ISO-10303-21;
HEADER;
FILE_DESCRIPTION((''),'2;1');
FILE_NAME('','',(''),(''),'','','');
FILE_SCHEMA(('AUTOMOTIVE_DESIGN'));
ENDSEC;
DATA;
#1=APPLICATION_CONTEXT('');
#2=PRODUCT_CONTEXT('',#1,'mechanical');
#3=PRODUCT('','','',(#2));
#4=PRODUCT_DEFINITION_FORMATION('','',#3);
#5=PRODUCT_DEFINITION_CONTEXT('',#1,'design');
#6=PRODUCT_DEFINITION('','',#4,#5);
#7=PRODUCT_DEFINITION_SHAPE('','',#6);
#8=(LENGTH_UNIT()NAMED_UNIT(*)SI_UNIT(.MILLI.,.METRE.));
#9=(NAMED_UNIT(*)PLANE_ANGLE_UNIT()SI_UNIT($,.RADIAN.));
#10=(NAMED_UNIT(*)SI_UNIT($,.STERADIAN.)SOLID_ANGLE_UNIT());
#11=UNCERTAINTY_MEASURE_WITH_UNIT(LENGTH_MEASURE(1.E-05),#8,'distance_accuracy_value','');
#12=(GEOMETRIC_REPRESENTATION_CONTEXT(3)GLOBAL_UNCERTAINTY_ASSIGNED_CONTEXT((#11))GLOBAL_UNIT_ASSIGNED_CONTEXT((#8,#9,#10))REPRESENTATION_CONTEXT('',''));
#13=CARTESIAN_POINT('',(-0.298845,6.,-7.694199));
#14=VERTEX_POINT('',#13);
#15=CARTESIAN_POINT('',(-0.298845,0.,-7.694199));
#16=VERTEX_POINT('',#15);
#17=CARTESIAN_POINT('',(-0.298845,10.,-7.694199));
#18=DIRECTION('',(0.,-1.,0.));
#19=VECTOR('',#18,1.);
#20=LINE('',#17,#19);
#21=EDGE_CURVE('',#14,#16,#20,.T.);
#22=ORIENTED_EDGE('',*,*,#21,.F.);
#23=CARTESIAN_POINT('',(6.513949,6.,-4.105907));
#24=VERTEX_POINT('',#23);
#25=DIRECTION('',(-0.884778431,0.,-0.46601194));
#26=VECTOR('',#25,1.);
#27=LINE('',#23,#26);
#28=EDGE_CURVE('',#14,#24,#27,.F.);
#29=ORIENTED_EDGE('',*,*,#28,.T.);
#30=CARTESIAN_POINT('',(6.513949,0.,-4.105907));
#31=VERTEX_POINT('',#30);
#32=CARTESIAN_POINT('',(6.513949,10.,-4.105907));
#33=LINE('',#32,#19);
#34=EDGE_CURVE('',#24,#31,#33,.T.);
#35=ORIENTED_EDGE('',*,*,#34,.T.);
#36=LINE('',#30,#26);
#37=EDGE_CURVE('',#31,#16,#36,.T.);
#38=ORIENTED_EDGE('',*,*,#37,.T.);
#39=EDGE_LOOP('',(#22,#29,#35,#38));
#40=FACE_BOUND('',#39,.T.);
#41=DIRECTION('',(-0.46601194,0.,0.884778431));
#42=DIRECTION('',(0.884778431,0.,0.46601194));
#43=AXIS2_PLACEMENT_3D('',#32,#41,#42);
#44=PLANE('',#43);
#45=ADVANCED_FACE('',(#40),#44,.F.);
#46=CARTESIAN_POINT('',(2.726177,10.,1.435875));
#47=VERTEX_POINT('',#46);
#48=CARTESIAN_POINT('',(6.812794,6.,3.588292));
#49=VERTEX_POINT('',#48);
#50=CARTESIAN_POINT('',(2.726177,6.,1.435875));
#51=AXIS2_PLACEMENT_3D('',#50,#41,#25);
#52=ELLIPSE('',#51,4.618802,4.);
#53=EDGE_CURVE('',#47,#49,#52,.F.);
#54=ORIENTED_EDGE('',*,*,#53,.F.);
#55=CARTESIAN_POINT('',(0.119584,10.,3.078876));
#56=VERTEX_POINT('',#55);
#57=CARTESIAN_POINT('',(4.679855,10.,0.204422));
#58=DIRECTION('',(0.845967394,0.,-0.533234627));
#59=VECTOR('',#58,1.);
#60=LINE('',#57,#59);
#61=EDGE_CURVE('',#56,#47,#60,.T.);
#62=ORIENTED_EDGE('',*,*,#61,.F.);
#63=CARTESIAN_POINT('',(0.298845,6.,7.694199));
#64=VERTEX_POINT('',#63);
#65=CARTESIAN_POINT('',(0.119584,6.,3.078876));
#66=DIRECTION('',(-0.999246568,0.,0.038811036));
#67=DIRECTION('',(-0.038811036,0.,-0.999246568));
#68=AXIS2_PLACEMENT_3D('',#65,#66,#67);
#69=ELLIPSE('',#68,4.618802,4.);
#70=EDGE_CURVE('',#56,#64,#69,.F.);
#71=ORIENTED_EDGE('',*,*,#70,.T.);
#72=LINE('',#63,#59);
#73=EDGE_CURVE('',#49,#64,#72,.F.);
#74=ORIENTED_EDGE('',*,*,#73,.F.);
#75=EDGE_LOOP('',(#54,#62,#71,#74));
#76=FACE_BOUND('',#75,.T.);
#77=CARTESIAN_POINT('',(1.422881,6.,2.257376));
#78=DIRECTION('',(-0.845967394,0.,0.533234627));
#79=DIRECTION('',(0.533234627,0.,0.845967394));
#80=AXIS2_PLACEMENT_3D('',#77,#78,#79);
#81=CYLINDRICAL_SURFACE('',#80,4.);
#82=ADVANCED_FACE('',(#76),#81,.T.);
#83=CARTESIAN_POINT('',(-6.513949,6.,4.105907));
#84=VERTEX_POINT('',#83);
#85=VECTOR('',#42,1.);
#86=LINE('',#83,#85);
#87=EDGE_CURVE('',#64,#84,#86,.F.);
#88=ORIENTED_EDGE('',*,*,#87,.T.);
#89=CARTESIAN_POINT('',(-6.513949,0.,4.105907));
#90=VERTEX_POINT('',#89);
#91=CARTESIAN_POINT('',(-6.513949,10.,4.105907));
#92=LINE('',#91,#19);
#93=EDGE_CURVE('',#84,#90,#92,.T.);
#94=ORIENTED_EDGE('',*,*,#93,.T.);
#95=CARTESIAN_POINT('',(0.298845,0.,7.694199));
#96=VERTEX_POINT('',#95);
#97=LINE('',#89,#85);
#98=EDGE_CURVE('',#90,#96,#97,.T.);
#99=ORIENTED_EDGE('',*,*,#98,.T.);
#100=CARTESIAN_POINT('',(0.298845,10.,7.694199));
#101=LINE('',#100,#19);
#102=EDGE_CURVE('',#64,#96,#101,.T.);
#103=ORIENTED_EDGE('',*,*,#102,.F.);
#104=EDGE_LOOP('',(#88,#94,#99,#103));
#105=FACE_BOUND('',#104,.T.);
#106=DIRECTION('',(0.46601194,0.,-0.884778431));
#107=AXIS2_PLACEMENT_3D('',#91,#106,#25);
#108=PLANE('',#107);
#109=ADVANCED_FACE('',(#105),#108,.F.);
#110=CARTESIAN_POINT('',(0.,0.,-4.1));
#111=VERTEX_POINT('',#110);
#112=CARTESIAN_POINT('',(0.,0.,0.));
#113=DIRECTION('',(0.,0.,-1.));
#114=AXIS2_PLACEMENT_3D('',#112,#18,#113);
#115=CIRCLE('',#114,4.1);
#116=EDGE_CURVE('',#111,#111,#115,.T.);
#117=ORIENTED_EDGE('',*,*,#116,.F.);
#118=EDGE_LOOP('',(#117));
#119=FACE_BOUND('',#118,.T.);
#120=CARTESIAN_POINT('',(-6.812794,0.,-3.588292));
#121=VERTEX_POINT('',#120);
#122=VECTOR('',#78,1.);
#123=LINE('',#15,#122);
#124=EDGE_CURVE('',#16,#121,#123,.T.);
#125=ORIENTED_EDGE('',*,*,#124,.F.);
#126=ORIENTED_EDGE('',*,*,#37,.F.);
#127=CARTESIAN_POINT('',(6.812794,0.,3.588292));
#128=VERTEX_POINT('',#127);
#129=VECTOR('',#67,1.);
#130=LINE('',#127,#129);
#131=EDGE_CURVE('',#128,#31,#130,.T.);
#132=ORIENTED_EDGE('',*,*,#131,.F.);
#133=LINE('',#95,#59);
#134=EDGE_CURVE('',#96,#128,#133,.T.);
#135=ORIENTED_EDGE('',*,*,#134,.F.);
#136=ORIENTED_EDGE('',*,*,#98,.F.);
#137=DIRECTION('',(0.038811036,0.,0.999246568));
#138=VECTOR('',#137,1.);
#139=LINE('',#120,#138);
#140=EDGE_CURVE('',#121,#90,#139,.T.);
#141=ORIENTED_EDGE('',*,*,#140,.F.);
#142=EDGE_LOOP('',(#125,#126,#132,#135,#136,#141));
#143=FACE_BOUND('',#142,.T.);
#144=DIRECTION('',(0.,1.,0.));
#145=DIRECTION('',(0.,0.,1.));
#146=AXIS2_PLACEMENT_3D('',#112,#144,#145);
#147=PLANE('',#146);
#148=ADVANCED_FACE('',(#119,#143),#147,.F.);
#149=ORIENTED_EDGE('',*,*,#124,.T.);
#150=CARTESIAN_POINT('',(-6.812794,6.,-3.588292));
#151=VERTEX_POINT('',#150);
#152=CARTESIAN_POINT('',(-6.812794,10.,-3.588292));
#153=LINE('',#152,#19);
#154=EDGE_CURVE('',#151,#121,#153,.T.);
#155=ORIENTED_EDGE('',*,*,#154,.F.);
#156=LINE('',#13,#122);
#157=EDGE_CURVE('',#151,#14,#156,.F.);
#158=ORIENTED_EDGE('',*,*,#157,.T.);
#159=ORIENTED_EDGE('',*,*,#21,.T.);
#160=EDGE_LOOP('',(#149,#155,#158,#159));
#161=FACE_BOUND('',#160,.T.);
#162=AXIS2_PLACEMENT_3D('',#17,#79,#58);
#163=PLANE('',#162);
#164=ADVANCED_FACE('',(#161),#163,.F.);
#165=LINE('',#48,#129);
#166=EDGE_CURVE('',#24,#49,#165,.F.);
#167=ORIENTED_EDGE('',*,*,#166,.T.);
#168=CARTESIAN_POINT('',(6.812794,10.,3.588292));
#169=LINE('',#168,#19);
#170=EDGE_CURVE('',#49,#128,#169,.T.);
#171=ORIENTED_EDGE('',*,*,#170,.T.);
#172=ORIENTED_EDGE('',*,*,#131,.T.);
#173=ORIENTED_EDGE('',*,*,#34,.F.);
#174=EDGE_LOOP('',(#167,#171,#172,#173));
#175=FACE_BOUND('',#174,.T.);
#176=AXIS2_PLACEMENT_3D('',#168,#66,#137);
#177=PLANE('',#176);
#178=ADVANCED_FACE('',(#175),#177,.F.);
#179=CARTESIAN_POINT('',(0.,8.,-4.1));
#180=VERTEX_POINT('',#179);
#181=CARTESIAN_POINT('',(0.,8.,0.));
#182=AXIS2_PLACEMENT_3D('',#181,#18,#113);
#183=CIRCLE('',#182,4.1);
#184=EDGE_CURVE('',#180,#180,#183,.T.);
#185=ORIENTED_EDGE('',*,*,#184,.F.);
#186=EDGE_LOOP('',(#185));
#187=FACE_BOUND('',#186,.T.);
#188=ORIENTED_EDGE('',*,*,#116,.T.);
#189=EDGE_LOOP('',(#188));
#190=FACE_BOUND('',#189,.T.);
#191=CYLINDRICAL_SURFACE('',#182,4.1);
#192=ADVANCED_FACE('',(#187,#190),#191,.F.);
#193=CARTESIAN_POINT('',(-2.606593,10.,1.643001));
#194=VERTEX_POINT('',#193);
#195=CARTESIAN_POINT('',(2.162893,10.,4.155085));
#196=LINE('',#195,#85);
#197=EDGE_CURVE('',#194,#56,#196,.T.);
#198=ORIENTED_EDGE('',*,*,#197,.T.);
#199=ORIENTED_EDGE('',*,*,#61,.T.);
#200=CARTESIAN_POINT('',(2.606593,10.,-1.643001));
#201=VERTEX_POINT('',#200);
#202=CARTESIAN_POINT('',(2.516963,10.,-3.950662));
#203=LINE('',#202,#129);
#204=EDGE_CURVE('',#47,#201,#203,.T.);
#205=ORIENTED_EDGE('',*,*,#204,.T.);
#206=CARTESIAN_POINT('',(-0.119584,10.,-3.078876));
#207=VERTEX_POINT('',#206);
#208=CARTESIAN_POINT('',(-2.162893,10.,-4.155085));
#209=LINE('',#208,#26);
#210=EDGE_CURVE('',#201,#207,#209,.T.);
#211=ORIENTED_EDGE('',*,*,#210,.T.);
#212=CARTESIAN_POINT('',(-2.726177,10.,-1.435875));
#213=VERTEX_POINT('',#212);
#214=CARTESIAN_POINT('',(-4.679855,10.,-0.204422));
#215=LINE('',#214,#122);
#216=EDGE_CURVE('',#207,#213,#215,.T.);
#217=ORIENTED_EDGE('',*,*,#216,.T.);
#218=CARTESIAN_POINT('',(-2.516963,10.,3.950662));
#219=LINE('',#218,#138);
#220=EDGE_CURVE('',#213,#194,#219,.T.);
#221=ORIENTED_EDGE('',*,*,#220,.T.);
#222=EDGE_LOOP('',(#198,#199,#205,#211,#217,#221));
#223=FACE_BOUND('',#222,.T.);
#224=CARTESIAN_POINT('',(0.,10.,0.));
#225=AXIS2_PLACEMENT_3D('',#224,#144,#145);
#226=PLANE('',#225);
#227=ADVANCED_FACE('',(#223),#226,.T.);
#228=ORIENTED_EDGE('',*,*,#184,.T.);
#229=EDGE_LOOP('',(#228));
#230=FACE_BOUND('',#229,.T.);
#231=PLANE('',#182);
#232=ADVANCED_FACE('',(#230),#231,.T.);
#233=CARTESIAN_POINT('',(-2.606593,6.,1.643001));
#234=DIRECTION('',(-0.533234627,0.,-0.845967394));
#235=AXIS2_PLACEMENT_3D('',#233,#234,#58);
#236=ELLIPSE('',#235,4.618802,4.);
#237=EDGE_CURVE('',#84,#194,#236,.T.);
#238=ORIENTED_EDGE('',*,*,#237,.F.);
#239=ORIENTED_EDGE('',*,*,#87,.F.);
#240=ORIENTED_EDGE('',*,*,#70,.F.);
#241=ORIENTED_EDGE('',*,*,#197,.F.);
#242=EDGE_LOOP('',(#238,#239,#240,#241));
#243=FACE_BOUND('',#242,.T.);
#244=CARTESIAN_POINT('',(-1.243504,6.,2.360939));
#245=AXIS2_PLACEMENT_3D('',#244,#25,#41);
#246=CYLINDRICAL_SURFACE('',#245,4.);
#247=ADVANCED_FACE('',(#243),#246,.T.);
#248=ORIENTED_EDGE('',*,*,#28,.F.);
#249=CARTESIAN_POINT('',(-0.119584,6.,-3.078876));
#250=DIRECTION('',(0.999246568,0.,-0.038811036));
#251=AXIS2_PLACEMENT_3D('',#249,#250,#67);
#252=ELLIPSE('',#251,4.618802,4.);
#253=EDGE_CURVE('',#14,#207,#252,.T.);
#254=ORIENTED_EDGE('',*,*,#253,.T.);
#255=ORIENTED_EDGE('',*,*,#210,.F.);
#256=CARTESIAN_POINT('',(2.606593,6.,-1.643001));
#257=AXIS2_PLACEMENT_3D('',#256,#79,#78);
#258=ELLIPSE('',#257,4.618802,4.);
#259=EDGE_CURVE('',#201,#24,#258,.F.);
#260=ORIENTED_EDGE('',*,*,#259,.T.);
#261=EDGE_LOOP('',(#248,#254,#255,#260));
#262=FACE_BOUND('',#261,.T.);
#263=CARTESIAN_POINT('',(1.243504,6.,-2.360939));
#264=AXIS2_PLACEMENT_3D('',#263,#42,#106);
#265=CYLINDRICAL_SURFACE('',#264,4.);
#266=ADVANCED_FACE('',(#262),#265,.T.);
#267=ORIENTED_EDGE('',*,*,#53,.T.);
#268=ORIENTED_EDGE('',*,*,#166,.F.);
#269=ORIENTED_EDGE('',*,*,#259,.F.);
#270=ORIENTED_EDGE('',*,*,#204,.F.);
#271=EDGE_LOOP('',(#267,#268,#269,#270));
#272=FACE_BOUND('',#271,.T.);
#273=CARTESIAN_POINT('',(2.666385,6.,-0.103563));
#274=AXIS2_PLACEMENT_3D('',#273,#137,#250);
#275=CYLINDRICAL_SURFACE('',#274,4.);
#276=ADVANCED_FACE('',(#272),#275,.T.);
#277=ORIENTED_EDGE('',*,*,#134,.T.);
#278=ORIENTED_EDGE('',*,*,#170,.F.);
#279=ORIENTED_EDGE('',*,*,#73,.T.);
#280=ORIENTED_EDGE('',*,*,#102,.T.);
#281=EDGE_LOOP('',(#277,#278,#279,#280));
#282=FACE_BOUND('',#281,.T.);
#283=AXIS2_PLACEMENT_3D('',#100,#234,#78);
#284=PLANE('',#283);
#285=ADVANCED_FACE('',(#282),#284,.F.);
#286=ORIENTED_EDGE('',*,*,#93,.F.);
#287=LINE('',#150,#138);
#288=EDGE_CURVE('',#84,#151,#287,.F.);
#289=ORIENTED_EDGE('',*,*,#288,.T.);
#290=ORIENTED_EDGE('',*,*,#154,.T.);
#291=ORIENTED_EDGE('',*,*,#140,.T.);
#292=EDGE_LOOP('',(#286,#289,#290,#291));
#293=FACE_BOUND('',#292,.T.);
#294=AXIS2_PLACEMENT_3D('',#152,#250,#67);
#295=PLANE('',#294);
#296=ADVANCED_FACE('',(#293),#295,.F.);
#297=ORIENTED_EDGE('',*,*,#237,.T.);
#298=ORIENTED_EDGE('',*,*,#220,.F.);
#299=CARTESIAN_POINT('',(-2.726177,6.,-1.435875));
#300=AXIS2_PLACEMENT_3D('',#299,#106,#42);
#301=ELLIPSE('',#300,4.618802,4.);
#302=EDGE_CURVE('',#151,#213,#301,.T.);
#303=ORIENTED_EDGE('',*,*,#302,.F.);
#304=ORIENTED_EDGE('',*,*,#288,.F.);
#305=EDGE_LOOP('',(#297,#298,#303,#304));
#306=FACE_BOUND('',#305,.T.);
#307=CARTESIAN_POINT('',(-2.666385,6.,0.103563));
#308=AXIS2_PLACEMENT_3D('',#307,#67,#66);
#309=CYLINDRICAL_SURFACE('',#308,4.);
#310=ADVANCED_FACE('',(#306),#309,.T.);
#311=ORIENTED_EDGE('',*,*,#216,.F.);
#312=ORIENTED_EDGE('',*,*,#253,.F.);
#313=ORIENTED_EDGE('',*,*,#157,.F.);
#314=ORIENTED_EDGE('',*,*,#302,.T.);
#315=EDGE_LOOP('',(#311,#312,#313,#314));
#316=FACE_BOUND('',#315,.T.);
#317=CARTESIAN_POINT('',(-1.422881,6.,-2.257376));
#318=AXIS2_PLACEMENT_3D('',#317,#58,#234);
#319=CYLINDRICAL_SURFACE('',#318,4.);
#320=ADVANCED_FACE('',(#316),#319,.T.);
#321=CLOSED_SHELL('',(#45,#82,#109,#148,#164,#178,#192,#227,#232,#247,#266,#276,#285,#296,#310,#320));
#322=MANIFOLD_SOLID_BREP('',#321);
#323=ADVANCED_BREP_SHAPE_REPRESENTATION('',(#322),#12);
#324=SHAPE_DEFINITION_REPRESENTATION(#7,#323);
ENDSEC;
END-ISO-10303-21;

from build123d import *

# Parameters (mm, degrees)
BOSS_EXTRUDE1_DEPTH = 10
FILLET1_R           = 4
SKETCH2_R           = 4.1
CUT_EXTRUDE1_DEPTH  = 8


with BuildPart() as part:
    # Sketch1 → Boss-Extrude1 (new body)
    with BuildSketch(Plane(origin=(0, 0, 0), x_dir=(1, 0, 0), z_dir=(0, 1, 0))):
        Polygon((-6.812793916, 3.588291941), (-6.513948935, -4.105906632), (0.298844981, -7.694198573), (6.812793916, -3.588291941), (6.513948935, 4.105906632), (-0.298844981, 7.694198573), align=None)
    extrude(amount=BOSS_EXTRUDE1_DEPTH)

    # Fillet1
    fillet1_edges = [part.edges().sort_by_distance(p)[0] for p in [
        (-3.107551977, 10, 5.900052602),
        (3.555819448, 10, 5.641245257),
        (6.663371426, 10, -0.258807345),
        (3.107551977, 10, -5.900052602),
        (-3.555819448, 10, -5.641245257),
        (-6.663371426, 10, 0.258807345),
    ]]
    fillet(fillet1_edges, radius=FILLET1_R)

    # Sketch2 → Cut-Extrude1 (cut)
    with BuildSketch(Plane.XZ):
        Circle(SKETCH2_R)
    extrude(amount=-CUT_EXTRUDE1_DEPTH, mode=Mode.SUBTRACT)


solid = part.part
